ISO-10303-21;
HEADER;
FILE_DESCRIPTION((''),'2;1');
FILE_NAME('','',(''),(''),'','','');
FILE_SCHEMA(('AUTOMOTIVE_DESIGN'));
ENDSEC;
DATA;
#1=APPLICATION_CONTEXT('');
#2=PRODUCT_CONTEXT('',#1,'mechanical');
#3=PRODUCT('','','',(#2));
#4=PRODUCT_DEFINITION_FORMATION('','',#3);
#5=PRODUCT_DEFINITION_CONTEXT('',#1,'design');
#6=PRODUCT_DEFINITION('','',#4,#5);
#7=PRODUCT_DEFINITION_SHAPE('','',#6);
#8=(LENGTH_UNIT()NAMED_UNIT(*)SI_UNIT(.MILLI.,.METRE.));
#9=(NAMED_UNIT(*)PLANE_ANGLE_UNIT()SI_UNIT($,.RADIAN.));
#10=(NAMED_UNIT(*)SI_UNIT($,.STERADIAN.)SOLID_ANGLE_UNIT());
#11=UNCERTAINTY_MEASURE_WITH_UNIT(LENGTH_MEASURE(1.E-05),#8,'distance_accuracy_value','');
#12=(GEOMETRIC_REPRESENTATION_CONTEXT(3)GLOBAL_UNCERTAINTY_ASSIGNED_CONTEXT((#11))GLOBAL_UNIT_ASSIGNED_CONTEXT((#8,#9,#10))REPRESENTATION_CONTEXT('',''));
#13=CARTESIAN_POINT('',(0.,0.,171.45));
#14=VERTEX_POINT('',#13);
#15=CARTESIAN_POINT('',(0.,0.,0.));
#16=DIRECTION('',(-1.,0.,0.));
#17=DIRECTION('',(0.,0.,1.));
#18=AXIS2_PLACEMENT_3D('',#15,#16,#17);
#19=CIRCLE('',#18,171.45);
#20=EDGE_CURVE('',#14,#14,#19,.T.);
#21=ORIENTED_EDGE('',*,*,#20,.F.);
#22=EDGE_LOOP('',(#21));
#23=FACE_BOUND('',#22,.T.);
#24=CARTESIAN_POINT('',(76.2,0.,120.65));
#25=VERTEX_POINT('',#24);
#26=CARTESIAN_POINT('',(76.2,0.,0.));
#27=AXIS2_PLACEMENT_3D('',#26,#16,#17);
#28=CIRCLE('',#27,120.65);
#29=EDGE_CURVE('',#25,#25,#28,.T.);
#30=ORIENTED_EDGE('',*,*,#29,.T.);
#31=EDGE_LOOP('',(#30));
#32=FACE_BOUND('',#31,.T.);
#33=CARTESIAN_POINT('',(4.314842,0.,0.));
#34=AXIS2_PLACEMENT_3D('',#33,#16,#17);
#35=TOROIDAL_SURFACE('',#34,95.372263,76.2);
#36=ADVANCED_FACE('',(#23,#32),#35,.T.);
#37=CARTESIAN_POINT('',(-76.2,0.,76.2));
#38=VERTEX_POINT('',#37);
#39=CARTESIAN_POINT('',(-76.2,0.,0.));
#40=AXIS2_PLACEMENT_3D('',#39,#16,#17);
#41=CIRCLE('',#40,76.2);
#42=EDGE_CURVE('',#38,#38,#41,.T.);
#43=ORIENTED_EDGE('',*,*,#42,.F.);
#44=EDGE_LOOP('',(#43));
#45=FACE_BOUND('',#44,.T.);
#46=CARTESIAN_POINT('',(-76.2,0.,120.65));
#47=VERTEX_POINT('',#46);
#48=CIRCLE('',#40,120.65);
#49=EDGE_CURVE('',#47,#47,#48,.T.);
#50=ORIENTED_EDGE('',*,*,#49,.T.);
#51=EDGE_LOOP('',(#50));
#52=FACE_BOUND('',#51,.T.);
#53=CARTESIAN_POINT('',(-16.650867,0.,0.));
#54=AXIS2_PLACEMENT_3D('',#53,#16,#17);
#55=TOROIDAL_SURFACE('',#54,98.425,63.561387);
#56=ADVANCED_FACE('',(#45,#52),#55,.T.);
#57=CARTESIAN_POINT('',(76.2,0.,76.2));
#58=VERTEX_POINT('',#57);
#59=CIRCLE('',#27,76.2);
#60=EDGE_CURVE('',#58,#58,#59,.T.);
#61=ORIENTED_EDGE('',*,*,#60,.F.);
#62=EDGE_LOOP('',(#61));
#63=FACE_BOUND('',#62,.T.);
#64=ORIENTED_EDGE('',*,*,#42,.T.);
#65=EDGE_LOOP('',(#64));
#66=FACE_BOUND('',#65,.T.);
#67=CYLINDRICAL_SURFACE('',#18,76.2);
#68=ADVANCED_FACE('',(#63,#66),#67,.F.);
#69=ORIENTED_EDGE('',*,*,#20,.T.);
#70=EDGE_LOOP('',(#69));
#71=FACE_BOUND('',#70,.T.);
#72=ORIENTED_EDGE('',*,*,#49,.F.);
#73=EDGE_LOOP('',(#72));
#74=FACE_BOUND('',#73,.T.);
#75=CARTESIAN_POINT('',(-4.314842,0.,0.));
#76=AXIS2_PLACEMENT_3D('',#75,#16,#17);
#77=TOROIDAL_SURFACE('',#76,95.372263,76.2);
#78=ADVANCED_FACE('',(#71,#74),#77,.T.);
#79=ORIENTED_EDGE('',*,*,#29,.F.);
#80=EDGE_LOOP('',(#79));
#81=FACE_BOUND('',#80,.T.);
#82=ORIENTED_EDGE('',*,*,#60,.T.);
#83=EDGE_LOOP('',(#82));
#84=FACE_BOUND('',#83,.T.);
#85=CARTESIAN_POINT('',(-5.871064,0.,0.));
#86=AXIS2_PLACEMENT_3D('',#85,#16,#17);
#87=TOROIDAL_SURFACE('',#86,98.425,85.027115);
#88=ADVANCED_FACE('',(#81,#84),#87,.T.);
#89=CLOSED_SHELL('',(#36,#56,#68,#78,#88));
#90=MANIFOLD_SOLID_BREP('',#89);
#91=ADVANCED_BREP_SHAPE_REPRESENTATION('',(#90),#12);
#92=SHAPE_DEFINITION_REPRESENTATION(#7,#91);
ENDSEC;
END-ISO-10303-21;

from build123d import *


with BuildPart() as part:
    # Sketch1 → Revolve1 (revolve)
    with BuildSketch(Plane.XY):
        with BuildLine():
            Line((-76.2, 76.2), (76.2, 76.2))
            ThreePointArc((76.2, 76.2), (79.15605032, 98.425), (76.2, 120.65))
            ThreePointArc((76.2, 120.65), (46.582996627, 158.77449494), (0, 171.45))
            ThreePointArc((0, 171.45), (-46.582996627, 158.77449494), (-76.2, 120.65))
            ThreePointArc((-76.2, 120.65), (-80.212253578, 98.425), (-76.2, 76.2))
        make_face()
    revolve(axis=Axis((0, 0, 0), (1, 0, 0)))


solid = part.part
